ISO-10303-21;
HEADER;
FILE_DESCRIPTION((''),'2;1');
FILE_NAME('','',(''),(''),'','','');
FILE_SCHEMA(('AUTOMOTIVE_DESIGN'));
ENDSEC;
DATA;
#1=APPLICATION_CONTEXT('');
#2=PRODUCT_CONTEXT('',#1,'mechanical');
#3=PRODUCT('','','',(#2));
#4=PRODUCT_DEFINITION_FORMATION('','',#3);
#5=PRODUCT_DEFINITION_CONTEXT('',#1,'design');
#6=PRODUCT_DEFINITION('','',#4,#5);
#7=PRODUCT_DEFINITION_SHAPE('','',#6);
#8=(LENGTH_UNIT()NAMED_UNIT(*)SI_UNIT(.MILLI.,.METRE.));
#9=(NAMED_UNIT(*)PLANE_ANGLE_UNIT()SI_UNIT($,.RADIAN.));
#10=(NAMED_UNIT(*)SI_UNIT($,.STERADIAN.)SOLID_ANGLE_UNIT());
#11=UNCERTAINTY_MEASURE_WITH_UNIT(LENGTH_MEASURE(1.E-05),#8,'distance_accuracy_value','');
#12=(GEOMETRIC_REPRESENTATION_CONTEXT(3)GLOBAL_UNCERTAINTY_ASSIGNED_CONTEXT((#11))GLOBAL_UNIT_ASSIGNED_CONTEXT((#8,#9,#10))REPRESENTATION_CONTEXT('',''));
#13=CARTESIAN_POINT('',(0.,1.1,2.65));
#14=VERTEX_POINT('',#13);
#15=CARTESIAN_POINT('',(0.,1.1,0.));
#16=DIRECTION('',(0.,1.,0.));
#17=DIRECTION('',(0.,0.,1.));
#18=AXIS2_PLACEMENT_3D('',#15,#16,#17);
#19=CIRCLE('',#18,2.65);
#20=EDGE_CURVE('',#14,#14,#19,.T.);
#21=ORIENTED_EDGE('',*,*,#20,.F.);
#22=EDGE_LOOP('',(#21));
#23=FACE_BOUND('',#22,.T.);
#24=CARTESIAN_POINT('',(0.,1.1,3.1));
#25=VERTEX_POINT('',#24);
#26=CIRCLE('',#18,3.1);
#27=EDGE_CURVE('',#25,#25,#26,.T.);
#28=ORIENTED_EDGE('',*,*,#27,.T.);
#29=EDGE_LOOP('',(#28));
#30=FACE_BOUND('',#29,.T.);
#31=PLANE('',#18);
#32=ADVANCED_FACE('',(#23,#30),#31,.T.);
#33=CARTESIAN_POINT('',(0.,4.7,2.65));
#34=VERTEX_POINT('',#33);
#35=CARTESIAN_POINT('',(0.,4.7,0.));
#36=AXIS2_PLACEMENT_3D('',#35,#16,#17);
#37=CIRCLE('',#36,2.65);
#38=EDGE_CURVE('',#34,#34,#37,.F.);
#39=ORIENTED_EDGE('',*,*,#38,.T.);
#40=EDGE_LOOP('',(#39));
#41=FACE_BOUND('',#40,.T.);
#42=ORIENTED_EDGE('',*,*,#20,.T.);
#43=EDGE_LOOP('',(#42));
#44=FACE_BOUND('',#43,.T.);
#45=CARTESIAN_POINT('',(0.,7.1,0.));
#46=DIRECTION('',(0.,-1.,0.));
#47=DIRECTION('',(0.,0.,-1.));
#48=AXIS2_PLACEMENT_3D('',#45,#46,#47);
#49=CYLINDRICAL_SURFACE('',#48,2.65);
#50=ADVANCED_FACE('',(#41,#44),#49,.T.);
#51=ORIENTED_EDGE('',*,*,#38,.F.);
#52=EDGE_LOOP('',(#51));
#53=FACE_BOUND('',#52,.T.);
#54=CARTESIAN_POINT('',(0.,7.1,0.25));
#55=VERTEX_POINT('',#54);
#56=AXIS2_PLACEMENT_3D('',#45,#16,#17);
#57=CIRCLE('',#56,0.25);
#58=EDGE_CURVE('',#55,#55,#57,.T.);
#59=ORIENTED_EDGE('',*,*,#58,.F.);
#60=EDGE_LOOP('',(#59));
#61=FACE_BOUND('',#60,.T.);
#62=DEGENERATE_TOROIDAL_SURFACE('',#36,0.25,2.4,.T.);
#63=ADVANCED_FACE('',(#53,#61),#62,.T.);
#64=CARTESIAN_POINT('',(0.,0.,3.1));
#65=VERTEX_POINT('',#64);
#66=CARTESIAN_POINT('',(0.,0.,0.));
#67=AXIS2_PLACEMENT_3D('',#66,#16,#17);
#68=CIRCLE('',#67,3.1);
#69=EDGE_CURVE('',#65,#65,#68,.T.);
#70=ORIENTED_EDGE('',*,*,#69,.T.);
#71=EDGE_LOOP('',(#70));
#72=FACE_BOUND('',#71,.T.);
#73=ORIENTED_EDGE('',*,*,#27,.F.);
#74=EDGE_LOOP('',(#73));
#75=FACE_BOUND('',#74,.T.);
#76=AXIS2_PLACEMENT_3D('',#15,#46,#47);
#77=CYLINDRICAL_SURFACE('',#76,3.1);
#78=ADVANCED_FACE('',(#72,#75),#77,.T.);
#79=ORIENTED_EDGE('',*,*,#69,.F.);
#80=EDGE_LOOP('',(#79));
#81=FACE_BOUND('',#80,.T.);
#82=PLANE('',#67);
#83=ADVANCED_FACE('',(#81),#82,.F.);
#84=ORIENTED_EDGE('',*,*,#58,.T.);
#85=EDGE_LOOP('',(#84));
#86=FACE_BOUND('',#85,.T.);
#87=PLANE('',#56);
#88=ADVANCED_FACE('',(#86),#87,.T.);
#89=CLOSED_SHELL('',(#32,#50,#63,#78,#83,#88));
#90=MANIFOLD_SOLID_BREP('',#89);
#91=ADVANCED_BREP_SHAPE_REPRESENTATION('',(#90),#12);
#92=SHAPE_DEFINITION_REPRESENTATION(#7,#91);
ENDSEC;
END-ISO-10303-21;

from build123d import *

# Parameters (mm, degrees)
ESQUISSE1_R      = 3.1
EXTRUSION1_DEPTH = 1.1
ESQUISSE2_R      = 2.65
EXTRUSION2_DEPTH = 6
CONG_1_R         = 2.4


with BuildPart() as part:
    # Esquisse1 → Extrusion1 (new body)
    with BuildSketch(Plane(origin=(0, 0, 0), x_dir=(1, 0, 0), z_dir=(0, 1, 0))):
        Circle(ESQUISSE1_R)
    extrude(amount=EXTRUSION1_DEPTH)

    # Esquisse2 → Extrusion2 (add)
    with BuildSketch(Plane(origin=(0, 1.1, 0), x_dir=(1, 0, 0), z_dir=(0, 1, 0))):
        Circle(ESQUISSE2_R)
    extrude(amount=EXTRUSION2_DEPTH)

    # Congé1
    cong_1_edges = [part.edges().sort_by_distance(p)[0] for p in [
        (-2.65, 7.1, 0),
    ]]
    fillet(cong_1_edges, radius=CONG_1_R)


solid = part.part
